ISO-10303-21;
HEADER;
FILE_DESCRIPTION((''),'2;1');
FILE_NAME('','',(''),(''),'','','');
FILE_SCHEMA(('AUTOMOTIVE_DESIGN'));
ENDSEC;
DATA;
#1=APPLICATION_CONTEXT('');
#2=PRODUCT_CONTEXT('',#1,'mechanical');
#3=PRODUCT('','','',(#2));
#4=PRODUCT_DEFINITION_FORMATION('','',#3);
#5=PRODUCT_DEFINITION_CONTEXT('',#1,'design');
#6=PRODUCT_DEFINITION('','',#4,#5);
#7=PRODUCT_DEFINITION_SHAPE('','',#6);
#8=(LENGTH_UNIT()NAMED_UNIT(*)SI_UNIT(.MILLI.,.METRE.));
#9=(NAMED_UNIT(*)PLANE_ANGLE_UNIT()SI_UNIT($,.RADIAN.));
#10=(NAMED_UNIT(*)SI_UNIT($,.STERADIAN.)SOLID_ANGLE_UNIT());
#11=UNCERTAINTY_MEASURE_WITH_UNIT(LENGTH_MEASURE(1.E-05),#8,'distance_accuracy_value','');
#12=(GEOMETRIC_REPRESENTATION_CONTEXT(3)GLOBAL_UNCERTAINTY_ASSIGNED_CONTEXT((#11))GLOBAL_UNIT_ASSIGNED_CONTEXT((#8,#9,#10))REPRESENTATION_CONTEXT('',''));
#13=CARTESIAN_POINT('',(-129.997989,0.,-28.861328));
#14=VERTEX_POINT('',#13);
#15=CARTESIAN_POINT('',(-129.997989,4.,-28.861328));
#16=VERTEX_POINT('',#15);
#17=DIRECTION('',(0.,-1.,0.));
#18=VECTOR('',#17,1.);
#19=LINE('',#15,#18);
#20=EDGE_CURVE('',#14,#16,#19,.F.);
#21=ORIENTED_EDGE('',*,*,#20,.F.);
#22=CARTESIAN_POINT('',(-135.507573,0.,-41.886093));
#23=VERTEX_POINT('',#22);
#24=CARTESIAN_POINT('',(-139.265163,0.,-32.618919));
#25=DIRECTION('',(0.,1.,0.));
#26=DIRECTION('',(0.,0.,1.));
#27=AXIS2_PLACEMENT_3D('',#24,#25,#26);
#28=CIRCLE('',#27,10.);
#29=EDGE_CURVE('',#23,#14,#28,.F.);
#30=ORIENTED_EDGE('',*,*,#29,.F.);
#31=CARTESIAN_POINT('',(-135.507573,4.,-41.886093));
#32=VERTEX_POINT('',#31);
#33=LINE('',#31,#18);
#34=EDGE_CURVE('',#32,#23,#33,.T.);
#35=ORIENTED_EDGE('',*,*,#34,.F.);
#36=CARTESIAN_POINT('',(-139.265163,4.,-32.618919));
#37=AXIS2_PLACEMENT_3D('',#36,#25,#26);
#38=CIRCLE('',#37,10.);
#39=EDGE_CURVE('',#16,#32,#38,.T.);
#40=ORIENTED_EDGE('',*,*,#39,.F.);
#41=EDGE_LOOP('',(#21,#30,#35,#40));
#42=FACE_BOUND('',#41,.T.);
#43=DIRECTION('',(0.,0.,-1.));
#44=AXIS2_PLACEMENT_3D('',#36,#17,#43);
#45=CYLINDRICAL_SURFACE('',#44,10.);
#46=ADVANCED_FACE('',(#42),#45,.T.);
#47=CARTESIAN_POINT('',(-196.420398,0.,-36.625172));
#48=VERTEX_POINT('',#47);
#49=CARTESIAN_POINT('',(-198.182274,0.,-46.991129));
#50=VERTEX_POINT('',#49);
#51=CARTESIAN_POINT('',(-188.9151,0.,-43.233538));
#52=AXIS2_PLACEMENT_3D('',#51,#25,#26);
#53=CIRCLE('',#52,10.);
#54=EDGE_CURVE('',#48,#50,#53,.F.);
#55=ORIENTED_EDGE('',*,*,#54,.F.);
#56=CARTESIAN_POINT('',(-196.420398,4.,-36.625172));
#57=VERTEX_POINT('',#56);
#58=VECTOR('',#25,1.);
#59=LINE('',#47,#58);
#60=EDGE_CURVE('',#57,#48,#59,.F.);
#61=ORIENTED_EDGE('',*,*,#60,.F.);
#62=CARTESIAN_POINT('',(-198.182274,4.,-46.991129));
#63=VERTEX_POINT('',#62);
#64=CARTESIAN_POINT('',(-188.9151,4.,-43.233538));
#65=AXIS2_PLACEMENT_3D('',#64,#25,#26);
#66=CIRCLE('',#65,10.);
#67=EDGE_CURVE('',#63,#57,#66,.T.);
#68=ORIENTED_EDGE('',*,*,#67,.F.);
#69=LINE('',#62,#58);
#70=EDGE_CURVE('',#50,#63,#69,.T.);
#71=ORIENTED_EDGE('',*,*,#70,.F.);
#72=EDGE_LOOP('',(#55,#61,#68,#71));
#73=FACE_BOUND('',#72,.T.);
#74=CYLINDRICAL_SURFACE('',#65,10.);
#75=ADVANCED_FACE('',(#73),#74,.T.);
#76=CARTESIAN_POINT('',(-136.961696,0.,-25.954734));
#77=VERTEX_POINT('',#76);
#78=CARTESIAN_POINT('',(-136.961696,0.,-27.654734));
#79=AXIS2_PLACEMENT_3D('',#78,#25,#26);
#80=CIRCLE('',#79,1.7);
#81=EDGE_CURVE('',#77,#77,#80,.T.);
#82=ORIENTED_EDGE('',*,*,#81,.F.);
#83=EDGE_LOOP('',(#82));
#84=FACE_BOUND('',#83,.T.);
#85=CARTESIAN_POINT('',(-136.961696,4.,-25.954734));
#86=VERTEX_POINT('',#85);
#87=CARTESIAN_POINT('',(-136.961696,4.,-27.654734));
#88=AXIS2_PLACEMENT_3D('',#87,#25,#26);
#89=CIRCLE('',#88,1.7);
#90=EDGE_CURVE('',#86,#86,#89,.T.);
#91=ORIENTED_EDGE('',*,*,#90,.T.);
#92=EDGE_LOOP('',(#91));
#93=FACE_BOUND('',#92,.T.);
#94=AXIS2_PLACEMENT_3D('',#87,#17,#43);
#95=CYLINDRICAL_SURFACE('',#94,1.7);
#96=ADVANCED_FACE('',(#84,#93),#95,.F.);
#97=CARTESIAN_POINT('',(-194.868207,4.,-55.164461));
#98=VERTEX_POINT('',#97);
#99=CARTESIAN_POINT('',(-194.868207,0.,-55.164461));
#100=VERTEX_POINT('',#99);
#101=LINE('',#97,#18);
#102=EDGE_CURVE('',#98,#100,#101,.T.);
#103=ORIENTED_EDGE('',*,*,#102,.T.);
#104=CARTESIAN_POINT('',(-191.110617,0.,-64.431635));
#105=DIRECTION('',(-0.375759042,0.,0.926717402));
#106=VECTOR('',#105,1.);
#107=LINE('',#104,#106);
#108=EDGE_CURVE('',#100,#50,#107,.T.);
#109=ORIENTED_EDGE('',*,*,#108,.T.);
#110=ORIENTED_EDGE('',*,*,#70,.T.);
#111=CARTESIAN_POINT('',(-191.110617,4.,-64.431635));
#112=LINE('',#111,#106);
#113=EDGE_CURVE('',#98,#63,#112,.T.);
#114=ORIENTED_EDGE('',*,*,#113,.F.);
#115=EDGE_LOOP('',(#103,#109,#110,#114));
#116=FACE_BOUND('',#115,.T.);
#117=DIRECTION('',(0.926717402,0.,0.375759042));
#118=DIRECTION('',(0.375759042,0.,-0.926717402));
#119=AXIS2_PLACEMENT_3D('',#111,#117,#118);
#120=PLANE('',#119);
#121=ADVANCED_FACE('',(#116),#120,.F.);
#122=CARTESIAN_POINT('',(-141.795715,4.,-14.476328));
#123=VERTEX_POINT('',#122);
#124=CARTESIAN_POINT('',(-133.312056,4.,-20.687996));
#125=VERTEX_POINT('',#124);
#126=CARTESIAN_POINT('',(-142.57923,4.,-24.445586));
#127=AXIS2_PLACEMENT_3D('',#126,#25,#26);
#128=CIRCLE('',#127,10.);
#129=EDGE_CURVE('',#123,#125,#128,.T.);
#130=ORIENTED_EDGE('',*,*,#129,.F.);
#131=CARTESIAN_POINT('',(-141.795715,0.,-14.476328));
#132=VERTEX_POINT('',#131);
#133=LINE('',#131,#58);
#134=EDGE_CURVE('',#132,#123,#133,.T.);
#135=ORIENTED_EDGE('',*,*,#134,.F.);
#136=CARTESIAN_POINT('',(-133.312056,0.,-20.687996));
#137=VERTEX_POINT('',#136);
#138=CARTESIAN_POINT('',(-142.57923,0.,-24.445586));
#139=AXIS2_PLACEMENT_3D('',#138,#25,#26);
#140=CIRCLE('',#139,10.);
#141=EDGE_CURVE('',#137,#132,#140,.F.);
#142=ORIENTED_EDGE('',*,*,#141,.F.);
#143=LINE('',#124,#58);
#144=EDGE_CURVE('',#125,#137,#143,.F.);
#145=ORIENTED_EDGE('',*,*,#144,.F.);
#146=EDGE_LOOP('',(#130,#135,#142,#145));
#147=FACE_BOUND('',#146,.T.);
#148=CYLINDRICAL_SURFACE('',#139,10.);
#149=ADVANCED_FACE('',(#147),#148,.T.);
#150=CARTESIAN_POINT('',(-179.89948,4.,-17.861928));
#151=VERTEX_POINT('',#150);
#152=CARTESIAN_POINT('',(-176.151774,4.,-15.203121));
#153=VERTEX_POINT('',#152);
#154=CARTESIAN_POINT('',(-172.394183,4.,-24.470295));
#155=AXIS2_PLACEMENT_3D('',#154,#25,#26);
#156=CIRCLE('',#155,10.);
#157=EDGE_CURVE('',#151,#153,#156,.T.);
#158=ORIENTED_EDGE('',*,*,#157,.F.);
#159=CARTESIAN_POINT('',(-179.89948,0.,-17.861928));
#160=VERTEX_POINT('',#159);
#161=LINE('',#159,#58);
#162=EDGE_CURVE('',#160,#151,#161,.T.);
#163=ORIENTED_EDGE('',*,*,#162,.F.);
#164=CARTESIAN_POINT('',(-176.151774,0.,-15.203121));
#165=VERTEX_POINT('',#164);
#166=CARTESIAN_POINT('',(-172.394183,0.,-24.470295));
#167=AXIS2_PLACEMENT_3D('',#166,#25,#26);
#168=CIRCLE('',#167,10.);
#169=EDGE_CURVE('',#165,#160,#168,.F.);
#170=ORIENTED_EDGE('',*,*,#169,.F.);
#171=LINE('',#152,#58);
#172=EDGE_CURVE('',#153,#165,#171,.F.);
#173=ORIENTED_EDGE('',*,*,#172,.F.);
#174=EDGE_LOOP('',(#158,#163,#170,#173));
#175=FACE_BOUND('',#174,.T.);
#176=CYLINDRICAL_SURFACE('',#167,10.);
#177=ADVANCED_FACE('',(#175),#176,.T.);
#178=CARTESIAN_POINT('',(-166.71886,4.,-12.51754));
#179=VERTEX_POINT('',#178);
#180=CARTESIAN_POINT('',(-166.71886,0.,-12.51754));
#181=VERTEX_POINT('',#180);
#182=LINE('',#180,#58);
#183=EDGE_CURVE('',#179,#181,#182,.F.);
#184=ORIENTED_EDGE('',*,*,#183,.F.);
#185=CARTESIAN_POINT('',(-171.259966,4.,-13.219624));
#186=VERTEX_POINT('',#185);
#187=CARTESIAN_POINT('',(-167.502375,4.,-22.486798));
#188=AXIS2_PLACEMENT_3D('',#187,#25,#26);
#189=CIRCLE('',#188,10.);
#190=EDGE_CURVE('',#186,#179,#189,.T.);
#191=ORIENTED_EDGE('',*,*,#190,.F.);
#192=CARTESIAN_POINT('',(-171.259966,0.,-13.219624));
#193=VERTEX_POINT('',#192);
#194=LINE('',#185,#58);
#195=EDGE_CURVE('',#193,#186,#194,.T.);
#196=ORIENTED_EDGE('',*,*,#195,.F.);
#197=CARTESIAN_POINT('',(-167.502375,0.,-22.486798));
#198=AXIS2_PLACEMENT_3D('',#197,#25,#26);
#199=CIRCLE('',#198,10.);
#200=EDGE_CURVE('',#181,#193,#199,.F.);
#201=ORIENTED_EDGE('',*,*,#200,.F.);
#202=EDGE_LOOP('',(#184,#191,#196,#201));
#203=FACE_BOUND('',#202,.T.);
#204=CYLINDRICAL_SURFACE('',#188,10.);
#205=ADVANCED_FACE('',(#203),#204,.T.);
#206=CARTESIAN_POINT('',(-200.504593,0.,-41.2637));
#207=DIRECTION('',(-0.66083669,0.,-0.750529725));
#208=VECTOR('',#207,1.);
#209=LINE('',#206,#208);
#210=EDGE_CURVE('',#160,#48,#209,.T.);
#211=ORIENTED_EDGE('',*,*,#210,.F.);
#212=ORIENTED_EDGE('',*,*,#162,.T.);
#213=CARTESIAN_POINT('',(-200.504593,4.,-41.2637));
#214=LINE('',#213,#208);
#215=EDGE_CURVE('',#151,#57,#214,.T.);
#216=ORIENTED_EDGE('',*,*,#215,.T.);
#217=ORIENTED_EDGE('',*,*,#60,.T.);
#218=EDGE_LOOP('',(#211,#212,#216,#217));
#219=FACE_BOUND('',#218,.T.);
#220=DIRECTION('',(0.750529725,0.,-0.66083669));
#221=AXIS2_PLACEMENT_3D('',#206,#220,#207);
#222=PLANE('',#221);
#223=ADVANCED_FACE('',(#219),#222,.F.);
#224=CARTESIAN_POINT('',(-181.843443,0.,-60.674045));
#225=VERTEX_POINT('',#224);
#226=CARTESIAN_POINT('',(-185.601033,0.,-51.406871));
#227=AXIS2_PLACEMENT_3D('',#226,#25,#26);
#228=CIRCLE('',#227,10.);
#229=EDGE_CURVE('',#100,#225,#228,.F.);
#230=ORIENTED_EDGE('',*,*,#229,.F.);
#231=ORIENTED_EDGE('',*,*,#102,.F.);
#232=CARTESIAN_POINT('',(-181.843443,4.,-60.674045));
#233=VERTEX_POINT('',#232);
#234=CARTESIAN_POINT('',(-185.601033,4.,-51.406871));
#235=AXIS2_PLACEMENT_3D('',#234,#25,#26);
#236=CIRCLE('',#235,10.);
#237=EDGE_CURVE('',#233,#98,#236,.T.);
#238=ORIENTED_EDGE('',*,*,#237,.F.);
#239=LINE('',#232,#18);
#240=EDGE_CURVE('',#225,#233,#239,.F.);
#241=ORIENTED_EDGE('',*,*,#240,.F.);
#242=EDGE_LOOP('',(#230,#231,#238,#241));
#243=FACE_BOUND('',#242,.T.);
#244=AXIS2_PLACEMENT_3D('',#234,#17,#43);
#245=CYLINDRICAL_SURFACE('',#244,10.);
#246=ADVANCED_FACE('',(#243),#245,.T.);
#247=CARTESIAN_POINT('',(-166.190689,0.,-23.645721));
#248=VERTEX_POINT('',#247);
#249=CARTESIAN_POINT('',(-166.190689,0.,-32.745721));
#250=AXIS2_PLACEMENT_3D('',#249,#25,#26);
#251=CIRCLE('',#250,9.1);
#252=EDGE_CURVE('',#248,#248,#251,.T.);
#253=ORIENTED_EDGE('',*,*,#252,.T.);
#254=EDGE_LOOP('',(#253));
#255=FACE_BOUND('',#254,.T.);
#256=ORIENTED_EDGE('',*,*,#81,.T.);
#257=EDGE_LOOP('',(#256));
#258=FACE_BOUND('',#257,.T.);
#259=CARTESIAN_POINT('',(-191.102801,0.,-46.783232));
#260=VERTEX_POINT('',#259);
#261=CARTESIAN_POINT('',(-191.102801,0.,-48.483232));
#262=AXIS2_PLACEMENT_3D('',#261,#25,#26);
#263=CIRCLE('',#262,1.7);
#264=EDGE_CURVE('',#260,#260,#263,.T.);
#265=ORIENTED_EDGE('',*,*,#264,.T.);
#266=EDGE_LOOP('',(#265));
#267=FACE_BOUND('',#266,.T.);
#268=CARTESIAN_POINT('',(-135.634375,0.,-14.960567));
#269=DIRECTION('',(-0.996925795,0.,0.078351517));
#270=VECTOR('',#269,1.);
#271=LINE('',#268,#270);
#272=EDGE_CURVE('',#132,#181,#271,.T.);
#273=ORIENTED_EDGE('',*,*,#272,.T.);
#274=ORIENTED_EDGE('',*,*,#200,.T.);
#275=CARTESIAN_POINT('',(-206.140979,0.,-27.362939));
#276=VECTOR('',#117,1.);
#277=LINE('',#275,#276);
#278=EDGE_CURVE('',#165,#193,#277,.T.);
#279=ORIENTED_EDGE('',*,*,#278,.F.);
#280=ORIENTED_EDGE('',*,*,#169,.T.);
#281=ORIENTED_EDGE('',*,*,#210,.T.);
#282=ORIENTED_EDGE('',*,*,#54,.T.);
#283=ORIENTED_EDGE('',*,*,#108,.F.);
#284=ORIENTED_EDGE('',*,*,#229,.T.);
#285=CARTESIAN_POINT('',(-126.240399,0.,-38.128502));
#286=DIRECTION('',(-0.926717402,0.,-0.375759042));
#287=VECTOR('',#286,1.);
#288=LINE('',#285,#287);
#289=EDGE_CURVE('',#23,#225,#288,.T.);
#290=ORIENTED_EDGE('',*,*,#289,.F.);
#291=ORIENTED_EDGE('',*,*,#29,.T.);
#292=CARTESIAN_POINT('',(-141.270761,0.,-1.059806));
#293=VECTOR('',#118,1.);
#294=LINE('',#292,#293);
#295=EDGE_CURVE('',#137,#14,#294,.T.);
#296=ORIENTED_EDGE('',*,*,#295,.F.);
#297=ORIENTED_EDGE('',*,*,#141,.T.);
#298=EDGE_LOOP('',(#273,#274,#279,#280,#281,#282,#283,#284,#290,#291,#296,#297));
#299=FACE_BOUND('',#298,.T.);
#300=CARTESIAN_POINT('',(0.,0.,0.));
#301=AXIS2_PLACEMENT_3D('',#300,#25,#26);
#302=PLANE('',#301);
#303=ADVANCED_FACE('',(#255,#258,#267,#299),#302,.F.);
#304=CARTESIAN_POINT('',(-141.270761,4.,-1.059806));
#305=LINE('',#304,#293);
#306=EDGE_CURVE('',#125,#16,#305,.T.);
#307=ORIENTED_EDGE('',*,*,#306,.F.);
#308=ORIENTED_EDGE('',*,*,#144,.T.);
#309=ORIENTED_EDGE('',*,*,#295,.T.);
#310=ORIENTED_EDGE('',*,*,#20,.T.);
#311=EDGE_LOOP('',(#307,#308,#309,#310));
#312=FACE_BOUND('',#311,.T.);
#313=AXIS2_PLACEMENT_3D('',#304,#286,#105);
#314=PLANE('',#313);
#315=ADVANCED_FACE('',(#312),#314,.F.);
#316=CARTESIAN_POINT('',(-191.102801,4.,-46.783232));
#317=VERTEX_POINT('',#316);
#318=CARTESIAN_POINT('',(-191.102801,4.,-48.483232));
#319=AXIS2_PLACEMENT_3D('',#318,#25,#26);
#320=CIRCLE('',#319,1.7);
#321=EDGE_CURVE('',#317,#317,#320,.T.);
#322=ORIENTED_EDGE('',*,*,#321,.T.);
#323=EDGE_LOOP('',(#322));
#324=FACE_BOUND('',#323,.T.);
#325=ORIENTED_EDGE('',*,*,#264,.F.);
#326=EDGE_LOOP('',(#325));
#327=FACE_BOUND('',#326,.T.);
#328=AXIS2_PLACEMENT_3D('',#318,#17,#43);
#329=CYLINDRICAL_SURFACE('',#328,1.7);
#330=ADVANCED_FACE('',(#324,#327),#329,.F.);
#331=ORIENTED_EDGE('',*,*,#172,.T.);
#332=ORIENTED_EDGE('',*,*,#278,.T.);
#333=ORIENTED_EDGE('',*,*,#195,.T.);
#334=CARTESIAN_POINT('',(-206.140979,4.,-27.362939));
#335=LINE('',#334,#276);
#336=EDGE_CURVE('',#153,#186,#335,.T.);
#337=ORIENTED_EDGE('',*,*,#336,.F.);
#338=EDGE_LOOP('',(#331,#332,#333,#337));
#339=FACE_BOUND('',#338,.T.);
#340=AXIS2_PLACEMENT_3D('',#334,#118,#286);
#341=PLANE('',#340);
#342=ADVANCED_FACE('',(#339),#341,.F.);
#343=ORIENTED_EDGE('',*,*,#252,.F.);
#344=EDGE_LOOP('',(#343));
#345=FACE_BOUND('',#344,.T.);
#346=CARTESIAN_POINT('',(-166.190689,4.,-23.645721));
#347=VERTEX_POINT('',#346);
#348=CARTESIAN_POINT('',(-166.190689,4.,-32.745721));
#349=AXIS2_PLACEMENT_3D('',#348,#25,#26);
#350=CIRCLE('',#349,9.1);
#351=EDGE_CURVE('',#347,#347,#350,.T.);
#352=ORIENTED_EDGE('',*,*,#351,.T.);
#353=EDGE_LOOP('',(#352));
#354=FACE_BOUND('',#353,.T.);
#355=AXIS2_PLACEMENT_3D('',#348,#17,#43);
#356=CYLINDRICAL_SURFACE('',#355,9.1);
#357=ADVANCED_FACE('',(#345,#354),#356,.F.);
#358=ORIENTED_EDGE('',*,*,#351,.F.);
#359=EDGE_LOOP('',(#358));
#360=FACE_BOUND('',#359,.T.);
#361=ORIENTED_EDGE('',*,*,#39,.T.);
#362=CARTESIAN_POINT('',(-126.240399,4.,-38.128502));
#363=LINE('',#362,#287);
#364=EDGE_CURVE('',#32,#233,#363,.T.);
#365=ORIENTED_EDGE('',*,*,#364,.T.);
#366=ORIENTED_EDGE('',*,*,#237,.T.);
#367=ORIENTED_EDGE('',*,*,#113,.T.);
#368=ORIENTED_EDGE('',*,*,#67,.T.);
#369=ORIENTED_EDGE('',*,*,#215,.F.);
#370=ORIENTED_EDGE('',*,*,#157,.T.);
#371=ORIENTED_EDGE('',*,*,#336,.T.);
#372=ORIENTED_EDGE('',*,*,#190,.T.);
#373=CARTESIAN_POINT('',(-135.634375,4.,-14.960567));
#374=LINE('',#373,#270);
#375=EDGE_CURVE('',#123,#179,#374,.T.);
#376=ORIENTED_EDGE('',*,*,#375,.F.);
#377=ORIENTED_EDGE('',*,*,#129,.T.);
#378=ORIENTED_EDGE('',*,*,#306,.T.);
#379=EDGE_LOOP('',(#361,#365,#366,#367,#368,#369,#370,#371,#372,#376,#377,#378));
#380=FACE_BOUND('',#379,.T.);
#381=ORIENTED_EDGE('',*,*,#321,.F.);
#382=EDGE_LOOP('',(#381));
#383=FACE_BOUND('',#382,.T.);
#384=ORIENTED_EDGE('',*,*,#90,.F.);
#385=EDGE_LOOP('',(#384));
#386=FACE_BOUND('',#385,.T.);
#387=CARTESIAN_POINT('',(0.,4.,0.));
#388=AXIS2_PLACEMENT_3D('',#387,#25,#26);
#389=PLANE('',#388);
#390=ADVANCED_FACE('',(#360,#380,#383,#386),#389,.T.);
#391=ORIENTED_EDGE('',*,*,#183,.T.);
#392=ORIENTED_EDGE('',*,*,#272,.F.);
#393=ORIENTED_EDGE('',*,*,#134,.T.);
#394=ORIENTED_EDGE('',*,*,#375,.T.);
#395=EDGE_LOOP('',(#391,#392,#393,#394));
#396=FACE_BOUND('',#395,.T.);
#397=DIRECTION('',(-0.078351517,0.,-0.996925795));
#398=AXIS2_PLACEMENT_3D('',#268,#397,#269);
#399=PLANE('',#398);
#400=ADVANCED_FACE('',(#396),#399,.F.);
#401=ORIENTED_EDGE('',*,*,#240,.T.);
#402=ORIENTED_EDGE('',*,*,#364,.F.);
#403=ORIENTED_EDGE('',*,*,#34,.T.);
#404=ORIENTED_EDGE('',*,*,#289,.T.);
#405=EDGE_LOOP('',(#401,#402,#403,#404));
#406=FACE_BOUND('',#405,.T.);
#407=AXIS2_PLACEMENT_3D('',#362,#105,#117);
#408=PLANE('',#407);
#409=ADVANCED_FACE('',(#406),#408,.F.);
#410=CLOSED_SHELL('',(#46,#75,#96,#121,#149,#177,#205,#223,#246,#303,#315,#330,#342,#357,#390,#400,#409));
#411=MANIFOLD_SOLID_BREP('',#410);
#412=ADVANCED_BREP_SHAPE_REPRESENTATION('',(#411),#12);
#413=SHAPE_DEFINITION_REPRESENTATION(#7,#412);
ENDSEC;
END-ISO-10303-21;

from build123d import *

# Parameters (mm, degrees)
SKETCH_1_R          = 1.7
SKETCH_1_R_2        = 9.1
EXTRUDE_1_DEPTH     = 4
CUT_EXTRUDE_1_DEPTH = 4
FILLET_1_R          = 10


with BuildPart() as part:
    # 草图1 → 凸台-拉伸1 (new body)
    with BuildSketch(Plane(origin=(0, 0, 0), x_dir=(1, 0, 0), z_dir=(0, 1, 0))):
        Polygon((-126.240398859, 38.128502465), (-191.110616974, 64.43163539), (-206.140978645, 27.362939325), (-141.27076053, 1.059806399), align=None)
        with Locations(Location((-136.961696425, 27.654734478, 0), (0, 0, 270))):
            Circle(SKETCH_1_R, mode=Mode.SUBTRACT)
        with Locations(Location((-191.102800779, 48.48323248, 0), (0, 0, 270))):
            Circle(SKETCH_1_R, mode=Mode.SUBTRACT)
        with Locations(Location((-166.190688752, 32.745720895, 0), (0, 0, 270))):
            Circle(SKETCH_1_R_2, mode=Mode.SUBTRACT)
    extrude(amount=EXTRUDE_1_DEPTH)

    # 草图2 → 切除-拉伸1 (cut)
    with BuildSketch(Plane(origin=(0, 4, 0), x_dir=(1, 0, 0), z_dir=(0, 1, 0))):
        Polygon((-135.634374903, 14.960567424), (-169.07228258, 12.332577653), (-141.27076053, 1.059806399), align=None)
        Polygon((-200.504593019, 41.263700349), (-178.339456596, 16.090168071), (-206.140978645, 27.362939325), align=None)
    extrude(amount=-CUT_EXTRUDE_1_DEPTH, mode=Mode.SUBTRACT)

    # 圆角1
    fillet_1_edges = [part.edges().sort_by_distance(p)[0] for p in [
        (-135.634374903, 2, -14.960567424),
        (-169.07228258, 2, -12.332577653),
        (-200.504593019, 2, -41.263700349),
        (-178.339456596, 2, -16.090168071),
        (-191.110616974, 2, -64.43163539),
        (-126.240398859, 2, -38.128502465),
    ]]
    fillet(fillet_1_edges, radius=FILLET_1_R)


solid = part.part
